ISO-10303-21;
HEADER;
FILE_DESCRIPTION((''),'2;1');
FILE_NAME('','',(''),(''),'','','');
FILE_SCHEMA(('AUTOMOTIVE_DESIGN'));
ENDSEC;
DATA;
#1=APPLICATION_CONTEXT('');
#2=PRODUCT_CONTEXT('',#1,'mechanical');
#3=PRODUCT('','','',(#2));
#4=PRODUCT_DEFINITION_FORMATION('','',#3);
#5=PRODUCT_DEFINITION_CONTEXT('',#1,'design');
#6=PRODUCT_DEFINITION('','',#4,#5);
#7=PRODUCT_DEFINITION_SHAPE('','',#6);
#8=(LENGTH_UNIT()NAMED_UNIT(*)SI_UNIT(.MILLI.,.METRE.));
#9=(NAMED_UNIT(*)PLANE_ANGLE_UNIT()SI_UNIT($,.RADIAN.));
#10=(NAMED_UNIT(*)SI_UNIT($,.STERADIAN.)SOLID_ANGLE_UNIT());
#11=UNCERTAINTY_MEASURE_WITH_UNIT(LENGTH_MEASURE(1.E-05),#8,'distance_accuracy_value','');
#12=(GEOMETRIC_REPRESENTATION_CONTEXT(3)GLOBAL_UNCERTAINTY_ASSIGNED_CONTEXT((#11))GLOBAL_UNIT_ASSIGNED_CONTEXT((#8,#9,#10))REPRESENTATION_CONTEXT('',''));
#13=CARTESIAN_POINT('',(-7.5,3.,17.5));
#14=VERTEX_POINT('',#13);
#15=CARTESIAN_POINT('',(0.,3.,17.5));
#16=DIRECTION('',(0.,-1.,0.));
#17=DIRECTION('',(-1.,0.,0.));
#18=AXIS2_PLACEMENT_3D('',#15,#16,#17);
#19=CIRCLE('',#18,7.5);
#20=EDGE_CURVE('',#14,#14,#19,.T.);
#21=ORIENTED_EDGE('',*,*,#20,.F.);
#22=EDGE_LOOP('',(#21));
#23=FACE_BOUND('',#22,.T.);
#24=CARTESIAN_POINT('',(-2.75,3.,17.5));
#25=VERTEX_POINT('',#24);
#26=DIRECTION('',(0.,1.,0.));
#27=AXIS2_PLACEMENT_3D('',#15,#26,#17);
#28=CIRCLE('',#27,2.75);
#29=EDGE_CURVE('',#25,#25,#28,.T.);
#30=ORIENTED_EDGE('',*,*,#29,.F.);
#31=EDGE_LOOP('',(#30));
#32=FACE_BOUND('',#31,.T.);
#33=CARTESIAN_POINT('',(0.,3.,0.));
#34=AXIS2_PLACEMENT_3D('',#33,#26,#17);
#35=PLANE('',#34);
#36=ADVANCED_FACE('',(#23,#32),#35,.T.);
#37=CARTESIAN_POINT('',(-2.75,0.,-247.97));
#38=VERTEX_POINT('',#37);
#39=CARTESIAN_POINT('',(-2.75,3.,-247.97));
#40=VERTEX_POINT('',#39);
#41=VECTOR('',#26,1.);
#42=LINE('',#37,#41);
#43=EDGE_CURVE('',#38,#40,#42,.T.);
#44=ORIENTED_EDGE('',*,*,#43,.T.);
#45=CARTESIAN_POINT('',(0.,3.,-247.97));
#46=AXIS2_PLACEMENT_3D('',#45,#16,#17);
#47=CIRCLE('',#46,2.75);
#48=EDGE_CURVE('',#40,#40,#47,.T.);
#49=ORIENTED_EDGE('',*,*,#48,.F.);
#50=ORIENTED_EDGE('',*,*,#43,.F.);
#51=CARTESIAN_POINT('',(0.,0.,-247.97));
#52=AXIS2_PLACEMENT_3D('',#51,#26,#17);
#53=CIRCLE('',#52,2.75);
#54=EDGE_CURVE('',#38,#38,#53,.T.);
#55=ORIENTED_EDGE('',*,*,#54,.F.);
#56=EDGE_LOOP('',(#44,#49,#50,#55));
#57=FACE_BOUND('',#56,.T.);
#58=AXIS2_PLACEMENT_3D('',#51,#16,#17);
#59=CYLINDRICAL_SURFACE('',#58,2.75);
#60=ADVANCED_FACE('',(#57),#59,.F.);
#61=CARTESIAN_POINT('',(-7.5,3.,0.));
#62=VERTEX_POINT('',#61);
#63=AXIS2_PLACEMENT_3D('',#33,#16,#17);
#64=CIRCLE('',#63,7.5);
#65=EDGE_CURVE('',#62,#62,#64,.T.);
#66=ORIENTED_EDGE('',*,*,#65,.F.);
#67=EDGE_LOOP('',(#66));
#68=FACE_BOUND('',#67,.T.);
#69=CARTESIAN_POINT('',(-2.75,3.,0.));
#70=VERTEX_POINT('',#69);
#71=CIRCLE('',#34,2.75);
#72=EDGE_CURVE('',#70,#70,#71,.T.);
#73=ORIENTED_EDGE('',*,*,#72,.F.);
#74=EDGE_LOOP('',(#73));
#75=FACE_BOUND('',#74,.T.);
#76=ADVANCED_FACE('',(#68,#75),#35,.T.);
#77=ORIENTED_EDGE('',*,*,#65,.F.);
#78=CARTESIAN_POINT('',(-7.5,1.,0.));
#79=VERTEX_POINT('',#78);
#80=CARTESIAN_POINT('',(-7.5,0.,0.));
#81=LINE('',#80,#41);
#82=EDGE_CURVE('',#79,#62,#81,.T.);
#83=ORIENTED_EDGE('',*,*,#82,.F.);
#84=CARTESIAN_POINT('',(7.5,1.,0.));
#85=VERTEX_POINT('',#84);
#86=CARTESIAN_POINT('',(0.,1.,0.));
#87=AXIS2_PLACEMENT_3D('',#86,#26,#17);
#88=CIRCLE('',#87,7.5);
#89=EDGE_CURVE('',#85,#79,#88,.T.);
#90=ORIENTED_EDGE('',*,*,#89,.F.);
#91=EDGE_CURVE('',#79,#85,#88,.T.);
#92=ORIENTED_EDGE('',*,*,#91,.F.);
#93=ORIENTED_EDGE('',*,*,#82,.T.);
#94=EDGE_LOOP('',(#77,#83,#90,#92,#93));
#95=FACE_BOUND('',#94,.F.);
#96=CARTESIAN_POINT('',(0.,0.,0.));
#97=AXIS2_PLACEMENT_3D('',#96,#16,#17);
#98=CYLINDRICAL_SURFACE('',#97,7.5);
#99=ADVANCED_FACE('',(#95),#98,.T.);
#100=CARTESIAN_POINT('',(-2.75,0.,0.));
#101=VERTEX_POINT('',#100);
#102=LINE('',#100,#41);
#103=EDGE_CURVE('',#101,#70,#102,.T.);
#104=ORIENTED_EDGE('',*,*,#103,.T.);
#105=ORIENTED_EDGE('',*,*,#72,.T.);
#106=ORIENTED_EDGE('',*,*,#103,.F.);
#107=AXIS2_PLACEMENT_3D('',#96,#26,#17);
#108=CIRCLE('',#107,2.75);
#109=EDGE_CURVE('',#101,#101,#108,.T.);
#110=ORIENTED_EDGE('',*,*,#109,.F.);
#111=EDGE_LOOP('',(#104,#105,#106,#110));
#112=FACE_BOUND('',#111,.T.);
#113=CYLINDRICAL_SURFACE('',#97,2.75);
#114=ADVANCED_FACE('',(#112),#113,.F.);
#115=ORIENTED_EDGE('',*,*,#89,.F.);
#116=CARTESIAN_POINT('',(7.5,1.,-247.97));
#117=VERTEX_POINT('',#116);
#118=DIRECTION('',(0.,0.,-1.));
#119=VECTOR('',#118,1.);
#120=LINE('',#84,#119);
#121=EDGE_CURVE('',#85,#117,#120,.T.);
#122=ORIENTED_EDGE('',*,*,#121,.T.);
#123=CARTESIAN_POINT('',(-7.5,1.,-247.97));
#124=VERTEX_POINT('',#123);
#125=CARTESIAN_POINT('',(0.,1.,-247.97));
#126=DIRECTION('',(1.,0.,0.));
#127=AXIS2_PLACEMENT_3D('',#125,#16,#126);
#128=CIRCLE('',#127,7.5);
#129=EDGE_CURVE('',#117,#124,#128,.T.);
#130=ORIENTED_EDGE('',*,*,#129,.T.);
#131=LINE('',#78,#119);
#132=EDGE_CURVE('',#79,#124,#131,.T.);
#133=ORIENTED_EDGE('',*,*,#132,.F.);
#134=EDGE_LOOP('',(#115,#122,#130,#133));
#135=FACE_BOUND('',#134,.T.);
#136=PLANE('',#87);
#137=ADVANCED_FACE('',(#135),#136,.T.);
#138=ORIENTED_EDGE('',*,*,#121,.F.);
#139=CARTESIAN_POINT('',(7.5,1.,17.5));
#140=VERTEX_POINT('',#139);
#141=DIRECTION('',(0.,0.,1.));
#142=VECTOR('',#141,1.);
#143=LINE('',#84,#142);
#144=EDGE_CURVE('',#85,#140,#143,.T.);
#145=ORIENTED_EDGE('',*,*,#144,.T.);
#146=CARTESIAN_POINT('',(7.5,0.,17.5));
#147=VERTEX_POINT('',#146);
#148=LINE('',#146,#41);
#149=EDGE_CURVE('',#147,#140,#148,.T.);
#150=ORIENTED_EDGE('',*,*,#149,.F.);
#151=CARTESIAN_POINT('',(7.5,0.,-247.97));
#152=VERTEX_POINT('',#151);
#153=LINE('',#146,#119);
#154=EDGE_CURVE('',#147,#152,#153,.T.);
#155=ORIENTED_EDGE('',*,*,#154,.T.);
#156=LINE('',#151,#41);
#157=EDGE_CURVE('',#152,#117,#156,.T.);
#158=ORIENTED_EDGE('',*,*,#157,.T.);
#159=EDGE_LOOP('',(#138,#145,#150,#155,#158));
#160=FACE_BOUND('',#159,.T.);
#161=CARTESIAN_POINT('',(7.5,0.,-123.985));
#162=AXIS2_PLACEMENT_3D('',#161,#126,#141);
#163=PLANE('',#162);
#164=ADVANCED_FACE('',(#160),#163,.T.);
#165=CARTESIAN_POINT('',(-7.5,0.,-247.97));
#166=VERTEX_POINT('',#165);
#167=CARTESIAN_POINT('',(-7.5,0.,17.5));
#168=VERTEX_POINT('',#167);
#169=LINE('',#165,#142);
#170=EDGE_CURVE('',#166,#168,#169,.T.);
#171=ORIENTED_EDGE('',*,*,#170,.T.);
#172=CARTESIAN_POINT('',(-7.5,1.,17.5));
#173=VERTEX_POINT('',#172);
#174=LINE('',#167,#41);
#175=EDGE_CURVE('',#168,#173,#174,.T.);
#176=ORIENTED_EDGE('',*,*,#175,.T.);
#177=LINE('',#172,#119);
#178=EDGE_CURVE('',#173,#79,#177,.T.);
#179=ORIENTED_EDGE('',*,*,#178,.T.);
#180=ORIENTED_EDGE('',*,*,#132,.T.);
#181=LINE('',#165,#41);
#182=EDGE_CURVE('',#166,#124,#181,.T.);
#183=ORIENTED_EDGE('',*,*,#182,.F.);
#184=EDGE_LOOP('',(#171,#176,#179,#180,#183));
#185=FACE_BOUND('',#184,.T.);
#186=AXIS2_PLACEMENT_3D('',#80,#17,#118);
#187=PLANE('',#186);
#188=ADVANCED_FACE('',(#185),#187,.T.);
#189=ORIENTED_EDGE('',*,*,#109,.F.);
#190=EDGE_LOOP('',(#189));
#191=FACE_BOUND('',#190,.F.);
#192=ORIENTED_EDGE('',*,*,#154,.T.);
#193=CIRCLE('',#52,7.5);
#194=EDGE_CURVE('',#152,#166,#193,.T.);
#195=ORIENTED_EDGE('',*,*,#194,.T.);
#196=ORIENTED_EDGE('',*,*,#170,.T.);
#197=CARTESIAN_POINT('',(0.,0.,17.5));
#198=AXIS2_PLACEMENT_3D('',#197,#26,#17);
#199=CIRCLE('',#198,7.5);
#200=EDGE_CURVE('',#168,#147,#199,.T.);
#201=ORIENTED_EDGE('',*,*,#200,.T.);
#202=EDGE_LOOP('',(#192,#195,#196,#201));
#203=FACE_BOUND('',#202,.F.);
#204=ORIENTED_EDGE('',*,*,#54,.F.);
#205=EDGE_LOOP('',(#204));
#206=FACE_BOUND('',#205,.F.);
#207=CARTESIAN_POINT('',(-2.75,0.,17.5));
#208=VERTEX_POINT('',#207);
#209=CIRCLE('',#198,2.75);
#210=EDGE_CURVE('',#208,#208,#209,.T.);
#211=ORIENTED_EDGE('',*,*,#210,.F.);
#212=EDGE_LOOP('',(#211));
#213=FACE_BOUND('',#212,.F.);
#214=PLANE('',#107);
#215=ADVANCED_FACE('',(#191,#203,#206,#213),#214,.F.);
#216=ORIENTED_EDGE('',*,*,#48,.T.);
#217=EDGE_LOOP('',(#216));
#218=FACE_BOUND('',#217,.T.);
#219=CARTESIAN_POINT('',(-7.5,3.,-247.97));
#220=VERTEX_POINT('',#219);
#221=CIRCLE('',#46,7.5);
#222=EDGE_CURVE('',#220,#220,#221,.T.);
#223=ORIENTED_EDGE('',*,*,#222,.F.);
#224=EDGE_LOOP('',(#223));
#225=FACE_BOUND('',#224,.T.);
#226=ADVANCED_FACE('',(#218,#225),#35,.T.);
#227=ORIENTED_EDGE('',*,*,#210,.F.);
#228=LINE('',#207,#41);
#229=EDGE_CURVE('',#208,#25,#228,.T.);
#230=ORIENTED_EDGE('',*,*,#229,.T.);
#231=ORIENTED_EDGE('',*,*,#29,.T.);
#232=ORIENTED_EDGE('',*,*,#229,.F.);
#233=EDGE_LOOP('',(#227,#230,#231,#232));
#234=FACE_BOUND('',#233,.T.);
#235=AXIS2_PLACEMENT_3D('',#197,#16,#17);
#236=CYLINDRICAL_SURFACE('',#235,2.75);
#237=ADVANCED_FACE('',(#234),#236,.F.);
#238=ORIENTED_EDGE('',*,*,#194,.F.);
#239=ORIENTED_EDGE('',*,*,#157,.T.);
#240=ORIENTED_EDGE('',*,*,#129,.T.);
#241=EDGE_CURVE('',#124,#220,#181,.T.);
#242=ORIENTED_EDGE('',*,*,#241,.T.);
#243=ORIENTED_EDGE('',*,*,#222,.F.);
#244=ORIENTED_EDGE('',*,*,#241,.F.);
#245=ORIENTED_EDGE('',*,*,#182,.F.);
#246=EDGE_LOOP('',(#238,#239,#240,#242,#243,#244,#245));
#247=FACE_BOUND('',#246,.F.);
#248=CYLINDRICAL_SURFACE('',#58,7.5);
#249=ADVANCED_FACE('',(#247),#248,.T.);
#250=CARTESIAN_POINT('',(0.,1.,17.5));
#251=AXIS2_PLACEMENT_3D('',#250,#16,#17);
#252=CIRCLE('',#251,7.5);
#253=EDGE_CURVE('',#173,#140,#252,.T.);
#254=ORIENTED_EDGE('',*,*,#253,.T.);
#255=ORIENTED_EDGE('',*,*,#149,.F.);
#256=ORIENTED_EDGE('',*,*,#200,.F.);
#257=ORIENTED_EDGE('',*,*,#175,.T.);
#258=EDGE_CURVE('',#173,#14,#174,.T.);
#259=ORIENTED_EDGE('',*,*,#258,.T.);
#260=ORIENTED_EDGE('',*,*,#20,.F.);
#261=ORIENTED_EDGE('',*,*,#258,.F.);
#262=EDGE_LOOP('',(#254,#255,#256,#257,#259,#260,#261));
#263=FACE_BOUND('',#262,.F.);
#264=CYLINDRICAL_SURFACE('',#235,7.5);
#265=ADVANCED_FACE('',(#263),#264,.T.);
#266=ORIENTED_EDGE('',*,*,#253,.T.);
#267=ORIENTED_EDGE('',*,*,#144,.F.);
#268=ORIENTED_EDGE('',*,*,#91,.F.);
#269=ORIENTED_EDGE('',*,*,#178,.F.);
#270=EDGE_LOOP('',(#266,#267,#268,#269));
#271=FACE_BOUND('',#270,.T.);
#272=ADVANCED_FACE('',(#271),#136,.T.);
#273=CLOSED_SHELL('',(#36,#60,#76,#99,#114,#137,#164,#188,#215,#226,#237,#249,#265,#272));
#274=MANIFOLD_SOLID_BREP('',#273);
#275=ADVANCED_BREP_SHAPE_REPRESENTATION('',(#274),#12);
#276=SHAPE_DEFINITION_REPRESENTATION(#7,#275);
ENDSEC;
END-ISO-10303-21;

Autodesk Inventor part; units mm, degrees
ref_plane "YZ Plane" through (0, 0, 0) normal (1, 0, 0) x (0, 1, 0)
ref_plane "XZ Plane" through (0, 0, 0) normal (0, 1, 0) x (-1, 0, 0)
ref_plane "XY Plane" through (0, 0, 0) normal (0, 0, 1) x (1, 0, 0)
sketch "Sketch1" plane through (0, 0, 0) normal (0, 1, 0) x (-1, 0, 0)
  circle A0 centre (0, 0) radius 7.5
  circle A1 centre (0, 0) radius 2.75
  line L0 (-7.5, -247.97) -> (-7.5, 0)
  line L1 (7.5, 0) -> (7.5, -247.97)
  arc A2 (7.5, 0) -> (-7.5, 0) centre (0, 0) ccw
  line L2 (0, -255.47) -> (0, -240.47)
  circle A3 centre (0, -247.97) radius 2.75
  circle A4 centre (0, -247.97) radius 7.5
  line L3 (-7.5, 7.5) -> (-7.5, 10)
  line L4 (7.5, 10) -> (7.5, 7.5)
  line L5 (-7.5, 10) -> (-7.5, 17.5)
  line L6 (7.5, 17.5) -> (7.5, 10)
  circle A5 centre (0, 17.5) radius 7.5
  circle A6 centre (0, 17.5) radius 2.75
  line L7 (7.5, 7.5) -> (7.5, 0)
  line L8 (-7.5, 7.5) -> (-7.5, 0)
  line L9 (7.5, 0) -> (7.5, -247.97)
  line L10 (7.5, -123.985) -> (-7.5, -123.985)
  line L11 (-7.5, -255.47) -> (-7.5, -257.97)
  line L12 (7.5, -257.97) -> (7.5, -255.47)
  line L13 (-7.5, -257.97) -> (-7.5, -265.47)
  line L14 (7.5, -265.47) -> (7.5, -257.97)
  circle A7 centre (0, -265.47) radius 7.5
  circle A8 centre (0, -265.47) radius 2.75
  line L15 (7.5, -255.47) -> (7.5, -247.97)
  line L16 (-7.5, -255.47) -> (-7.5, -247.97)
  point P0 (7.5, 0)
  point P1 (-7.5, 0)
  point P2 (0, 7.5)
  point P3 (7.5, 0)
  dimension "d0" = 15
  dimension "d1" = 5.5
  dimension "d7" = 15
  dimension "d12" = 15
  dimension "d13" = 5.5
  dimension "d17" = 262.97
  dimension "d18" = 15
  dimension "d19" = 2.5
  dimension "d22" = 15
  dimension "d23" = 5.5
extrude "Extrusion2" add sketch "Sketch1" along normal blind 3 contours A0 | A4 L2 A3 | A4 L2 A3 | A5
extrude "Extrusion3" add sketch "Sketch1" along normal blind 1 contours L1 L10 L0 A0 | A0 L8 L3 L5 A5 L6 L4 L7 | L1 A4 L0 L10 | A5
properties part number "közepső szalag 1"
